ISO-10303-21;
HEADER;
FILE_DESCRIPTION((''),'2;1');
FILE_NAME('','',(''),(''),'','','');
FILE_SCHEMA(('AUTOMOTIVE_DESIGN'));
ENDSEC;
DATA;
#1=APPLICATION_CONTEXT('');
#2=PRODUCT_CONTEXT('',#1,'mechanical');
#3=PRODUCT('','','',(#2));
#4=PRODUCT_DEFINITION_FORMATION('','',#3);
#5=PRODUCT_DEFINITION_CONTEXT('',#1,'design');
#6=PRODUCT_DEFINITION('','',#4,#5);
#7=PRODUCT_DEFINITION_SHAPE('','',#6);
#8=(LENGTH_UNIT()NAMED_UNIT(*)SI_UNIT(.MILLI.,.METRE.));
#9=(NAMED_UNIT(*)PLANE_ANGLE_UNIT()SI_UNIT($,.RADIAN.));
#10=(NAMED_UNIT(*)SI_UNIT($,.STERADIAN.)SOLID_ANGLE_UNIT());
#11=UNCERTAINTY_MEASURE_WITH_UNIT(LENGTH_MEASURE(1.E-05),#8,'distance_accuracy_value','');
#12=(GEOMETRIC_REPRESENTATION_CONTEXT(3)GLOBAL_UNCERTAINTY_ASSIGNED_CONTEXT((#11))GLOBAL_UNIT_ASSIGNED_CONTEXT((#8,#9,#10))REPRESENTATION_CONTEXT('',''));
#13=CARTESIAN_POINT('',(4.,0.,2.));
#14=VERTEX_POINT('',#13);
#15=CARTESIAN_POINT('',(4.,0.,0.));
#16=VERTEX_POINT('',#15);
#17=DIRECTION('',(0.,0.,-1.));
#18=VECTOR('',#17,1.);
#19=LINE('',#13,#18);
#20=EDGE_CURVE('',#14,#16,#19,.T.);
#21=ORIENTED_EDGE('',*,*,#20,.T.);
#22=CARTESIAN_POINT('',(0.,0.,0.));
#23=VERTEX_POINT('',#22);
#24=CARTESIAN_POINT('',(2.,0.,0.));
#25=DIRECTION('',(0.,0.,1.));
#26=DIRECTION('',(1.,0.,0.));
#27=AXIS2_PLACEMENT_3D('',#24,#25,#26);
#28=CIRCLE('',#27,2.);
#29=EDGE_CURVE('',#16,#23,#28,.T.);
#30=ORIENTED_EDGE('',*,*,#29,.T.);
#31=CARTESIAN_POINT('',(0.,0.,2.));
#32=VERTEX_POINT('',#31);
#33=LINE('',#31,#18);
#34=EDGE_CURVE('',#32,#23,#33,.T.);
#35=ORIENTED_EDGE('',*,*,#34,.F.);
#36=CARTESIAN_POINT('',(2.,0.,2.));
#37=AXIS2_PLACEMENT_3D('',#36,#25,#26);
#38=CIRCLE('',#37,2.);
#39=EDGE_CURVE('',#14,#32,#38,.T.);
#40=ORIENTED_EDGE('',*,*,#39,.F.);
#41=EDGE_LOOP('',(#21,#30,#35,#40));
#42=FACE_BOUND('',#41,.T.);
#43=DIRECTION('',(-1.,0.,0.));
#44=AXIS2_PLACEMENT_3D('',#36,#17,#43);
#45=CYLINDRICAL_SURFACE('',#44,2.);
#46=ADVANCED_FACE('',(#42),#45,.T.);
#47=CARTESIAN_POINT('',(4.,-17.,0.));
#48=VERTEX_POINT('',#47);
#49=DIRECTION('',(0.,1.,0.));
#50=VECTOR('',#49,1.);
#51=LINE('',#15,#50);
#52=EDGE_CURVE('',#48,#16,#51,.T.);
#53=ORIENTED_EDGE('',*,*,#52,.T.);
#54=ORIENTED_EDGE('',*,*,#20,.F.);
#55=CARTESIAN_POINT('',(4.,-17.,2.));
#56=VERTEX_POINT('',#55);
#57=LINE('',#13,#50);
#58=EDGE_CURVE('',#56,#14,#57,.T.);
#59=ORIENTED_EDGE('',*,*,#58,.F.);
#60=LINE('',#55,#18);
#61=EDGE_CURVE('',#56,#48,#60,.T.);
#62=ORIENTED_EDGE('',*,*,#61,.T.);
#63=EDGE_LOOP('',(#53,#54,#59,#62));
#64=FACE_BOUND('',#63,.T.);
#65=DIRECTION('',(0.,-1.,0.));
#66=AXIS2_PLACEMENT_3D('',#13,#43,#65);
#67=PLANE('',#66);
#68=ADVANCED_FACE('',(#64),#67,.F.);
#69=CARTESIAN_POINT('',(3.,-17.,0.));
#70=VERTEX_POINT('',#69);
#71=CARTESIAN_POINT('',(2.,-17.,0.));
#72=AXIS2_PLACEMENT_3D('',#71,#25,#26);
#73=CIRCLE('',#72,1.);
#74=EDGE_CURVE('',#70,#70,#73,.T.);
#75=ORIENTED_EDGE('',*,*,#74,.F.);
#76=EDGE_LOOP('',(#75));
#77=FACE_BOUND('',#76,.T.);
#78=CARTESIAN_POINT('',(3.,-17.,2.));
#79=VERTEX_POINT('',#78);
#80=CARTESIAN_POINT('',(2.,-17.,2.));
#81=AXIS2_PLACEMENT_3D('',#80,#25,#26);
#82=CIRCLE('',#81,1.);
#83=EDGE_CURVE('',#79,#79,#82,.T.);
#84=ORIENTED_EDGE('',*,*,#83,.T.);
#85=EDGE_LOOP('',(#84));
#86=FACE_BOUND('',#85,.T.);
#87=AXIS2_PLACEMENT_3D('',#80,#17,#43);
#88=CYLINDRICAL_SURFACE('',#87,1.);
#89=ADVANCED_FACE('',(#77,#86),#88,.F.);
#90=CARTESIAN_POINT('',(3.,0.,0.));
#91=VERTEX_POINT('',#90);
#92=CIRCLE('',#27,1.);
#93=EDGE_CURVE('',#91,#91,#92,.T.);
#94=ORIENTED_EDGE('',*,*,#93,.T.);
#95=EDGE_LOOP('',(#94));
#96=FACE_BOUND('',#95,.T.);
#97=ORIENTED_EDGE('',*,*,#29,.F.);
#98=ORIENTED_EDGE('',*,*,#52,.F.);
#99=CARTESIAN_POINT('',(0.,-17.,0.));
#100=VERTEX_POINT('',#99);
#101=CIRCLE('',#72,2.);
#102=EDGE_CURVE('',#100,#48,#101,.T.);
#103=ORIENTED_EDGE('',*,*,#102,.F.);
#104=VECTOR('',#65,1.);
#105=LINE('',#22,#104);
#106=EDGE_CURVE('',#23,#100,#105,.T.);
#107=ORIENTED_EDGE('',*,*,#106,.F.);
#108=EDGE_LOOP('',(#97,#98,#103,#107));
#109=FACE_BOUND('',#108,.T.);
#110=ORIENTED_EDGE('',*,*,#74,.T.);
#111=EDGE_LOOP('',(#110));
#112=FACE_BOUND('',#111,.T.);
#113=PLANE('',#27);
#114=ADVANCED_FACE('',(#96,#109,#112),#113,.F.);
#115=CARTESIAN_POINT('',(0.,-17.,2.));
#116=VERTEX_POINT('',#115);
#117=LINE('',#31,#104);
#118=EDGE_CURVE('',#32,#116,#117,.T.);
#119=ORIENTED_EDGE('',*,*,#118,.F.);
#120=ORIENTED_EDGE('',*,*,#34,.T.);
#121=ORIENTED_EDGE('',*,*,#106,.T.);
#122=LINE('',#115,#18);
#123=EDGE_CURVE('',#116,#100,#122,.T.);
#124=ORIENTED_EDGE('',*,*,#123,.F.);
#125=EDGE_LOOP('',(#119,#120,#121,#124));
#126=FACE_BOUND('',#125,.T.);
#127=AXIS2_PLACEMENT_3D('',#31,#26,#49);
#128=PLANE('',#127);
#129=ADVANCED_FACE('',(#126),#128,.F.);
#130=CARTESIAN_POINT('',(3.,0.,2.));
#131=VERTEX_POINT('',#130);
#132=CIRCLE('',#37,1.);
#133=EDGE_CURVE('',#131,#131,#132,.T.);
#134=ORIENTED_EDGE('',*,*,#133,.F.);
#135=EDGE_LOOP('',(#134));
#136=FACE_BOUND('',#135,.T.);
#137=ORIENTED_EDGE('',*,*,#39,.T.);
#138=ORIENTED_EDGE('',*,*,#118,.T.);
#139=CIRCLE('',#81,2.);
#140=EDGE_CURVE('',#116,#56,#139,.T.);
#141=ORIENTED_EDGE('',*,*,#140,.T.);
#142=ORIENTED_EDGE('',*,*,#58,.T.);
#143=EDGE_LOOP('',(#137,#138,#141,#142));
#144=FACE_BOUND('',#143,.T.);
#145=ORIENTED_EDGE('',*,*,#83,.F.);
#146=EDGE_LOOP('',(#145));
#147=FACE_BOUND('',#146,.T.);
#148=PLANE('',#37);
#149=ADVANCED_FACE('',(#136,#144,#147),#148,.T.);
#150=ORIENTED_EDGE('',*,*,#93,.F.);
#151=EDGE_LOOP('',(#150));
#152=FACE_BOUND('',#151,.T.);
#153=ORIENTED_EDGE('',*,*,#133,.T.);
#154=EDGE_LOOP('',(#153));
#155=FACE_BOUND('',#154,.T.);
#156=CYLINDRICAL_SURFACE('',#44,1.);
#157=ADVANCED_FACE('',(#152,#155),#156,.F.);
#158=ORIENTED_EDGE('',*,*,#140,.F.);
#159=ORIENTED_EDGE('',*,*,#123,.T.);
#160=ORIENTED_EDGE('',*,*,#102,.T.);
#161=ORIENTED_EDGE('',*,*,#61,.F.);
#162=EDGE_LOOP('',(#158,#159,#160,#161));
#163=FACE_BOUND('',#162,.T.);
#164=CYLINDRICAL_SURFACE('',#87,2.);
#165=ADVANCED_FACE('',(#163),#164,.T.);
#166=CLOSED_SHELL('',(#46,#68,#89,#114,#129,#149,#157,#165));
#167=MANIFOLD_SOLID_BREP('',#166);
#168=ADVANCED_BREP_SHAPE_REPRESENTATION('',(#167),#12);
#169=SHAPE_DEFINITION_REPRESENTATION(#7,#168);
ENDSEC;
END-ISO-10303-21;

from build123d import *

# Parameters (mm, degrees)
CROQUIS1_R              = 1
SALIENTE_EXTRUIR1_DEPTH = 2


with BuildPart() as part:
    # Croquis1 → Saliente-Extruir1 (new body)
    with BuildSketch(Plane.XY):
        with BuildLine():
            Line((0, 0), (0, -17))
            ThreePointArc((0, -17), (2, -19), (4, -17))
            Line((4, -17), (4, 0))
            ThreePointArc((4, 0), (2, 2), (0, 0))
        make_face()
        with Locations((2, 0)):
            Circle(CROQUIS1_R, mode=Mode.SUBTRACT)
        with Locations((2, -17)):
            Circle(CROQUIS1_R, mode=Mode.SUBTRACT)
    extrude(amount=SALIENTE_EXTRUIR1_DEPTH)


solid = part.part
